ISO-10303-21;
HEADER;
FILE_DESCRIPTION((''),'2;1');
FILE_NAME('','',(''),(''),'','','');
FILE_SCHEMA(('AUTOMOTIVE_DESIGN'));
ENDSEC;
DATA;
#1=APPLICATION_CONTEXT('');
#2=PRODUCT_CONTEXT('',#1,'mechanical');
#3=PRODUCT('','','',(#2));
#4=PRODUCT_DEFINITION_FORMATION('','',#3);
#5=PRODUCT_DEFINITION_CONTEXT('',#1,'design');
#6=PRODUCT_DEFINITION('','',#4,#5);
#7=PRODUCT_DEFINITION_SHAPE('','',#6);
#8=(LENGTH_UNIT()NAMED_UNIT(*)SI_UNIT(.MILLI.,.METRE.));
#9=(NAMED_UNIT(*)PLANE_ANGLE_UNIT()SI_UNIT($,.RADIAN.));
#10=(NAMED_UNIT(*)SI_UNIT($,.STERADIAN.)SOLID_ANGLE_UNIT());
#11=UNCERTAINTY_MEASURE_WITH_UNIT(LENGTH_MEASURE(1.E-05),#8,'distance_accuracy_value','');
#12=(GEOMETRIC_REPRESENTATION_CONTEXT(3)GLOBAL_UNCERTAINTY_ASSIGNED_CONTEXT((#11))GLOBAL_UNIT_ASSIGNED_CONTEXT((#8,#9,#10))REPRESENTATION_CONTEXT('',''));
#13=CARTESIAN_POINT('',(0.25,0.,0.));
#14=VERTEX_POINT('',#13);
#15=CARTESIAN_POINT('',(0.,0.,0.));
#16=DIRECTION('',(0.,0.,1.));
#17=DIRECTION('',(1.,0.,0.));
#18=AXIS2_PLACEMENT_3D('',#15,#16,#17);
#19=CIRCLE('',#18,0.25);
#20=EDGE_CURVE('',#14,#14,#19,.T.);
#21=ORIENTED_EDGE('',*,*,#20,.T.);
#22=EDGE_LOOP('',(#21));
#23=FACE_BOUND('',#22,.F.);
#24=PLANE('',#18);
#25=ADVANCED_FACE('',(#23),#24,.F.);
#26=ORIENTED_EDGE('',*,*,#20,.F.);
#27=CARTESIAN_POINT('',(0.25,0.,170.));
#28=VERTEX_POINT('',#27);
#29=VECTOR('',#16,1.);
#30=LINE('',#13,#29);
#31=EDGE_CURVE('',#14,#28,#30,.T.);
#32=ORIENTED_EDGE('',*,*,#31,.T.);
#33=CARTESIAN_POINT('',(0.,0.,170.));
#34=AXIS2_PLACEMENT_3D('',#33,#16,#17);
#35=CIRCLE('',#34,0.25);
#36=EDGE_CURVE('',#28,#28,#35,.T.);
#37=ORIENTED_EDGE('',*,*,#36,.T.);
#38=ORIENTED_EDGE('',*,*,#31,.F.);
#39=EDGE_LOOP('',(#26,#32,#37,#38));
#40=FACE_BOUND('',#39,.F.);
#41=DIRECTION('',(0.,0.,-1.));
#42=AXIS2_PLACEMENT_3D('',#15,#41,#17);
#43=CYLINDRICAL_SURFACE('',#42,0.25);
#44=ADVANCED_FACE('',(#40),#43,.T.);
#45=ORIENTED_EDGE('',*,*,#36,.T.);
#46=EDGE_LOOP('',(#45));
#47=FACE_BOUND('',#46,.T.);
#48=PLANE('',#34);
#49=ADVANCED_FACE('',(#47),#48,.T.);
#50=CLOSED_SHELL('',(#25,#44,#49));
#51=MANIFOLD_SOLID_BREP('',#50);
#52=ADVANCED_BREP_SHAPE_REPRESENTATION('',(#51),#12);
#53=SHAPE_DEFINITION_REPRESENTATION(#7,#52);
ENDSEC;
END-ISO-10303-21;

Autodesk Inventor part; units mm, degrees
ref_plane "YZ Plane" through (0, 0, 0) normal (1, 0, 0) x (0, 1, 0)
ref_plane "XZ Plane" through (0, 0, 0) normal (0, 1, 0) x (-1, 0, 0)
ref_plane "XY Plane" through (0, 0, 0) normal (0, 0, 1) x (1, 0, 0)
sketch "Эскиз1" plane through (0, 0, 0) normal (0, 0, 1) x (1, 0, 0)
  circle A0 centre (0, 0) radius 0.25
  dimension "d0" = 0.5
extrude "Выдавливание1" add sketch "Эскиз1" along normal blind 170
properties part number "Проволока-2"
